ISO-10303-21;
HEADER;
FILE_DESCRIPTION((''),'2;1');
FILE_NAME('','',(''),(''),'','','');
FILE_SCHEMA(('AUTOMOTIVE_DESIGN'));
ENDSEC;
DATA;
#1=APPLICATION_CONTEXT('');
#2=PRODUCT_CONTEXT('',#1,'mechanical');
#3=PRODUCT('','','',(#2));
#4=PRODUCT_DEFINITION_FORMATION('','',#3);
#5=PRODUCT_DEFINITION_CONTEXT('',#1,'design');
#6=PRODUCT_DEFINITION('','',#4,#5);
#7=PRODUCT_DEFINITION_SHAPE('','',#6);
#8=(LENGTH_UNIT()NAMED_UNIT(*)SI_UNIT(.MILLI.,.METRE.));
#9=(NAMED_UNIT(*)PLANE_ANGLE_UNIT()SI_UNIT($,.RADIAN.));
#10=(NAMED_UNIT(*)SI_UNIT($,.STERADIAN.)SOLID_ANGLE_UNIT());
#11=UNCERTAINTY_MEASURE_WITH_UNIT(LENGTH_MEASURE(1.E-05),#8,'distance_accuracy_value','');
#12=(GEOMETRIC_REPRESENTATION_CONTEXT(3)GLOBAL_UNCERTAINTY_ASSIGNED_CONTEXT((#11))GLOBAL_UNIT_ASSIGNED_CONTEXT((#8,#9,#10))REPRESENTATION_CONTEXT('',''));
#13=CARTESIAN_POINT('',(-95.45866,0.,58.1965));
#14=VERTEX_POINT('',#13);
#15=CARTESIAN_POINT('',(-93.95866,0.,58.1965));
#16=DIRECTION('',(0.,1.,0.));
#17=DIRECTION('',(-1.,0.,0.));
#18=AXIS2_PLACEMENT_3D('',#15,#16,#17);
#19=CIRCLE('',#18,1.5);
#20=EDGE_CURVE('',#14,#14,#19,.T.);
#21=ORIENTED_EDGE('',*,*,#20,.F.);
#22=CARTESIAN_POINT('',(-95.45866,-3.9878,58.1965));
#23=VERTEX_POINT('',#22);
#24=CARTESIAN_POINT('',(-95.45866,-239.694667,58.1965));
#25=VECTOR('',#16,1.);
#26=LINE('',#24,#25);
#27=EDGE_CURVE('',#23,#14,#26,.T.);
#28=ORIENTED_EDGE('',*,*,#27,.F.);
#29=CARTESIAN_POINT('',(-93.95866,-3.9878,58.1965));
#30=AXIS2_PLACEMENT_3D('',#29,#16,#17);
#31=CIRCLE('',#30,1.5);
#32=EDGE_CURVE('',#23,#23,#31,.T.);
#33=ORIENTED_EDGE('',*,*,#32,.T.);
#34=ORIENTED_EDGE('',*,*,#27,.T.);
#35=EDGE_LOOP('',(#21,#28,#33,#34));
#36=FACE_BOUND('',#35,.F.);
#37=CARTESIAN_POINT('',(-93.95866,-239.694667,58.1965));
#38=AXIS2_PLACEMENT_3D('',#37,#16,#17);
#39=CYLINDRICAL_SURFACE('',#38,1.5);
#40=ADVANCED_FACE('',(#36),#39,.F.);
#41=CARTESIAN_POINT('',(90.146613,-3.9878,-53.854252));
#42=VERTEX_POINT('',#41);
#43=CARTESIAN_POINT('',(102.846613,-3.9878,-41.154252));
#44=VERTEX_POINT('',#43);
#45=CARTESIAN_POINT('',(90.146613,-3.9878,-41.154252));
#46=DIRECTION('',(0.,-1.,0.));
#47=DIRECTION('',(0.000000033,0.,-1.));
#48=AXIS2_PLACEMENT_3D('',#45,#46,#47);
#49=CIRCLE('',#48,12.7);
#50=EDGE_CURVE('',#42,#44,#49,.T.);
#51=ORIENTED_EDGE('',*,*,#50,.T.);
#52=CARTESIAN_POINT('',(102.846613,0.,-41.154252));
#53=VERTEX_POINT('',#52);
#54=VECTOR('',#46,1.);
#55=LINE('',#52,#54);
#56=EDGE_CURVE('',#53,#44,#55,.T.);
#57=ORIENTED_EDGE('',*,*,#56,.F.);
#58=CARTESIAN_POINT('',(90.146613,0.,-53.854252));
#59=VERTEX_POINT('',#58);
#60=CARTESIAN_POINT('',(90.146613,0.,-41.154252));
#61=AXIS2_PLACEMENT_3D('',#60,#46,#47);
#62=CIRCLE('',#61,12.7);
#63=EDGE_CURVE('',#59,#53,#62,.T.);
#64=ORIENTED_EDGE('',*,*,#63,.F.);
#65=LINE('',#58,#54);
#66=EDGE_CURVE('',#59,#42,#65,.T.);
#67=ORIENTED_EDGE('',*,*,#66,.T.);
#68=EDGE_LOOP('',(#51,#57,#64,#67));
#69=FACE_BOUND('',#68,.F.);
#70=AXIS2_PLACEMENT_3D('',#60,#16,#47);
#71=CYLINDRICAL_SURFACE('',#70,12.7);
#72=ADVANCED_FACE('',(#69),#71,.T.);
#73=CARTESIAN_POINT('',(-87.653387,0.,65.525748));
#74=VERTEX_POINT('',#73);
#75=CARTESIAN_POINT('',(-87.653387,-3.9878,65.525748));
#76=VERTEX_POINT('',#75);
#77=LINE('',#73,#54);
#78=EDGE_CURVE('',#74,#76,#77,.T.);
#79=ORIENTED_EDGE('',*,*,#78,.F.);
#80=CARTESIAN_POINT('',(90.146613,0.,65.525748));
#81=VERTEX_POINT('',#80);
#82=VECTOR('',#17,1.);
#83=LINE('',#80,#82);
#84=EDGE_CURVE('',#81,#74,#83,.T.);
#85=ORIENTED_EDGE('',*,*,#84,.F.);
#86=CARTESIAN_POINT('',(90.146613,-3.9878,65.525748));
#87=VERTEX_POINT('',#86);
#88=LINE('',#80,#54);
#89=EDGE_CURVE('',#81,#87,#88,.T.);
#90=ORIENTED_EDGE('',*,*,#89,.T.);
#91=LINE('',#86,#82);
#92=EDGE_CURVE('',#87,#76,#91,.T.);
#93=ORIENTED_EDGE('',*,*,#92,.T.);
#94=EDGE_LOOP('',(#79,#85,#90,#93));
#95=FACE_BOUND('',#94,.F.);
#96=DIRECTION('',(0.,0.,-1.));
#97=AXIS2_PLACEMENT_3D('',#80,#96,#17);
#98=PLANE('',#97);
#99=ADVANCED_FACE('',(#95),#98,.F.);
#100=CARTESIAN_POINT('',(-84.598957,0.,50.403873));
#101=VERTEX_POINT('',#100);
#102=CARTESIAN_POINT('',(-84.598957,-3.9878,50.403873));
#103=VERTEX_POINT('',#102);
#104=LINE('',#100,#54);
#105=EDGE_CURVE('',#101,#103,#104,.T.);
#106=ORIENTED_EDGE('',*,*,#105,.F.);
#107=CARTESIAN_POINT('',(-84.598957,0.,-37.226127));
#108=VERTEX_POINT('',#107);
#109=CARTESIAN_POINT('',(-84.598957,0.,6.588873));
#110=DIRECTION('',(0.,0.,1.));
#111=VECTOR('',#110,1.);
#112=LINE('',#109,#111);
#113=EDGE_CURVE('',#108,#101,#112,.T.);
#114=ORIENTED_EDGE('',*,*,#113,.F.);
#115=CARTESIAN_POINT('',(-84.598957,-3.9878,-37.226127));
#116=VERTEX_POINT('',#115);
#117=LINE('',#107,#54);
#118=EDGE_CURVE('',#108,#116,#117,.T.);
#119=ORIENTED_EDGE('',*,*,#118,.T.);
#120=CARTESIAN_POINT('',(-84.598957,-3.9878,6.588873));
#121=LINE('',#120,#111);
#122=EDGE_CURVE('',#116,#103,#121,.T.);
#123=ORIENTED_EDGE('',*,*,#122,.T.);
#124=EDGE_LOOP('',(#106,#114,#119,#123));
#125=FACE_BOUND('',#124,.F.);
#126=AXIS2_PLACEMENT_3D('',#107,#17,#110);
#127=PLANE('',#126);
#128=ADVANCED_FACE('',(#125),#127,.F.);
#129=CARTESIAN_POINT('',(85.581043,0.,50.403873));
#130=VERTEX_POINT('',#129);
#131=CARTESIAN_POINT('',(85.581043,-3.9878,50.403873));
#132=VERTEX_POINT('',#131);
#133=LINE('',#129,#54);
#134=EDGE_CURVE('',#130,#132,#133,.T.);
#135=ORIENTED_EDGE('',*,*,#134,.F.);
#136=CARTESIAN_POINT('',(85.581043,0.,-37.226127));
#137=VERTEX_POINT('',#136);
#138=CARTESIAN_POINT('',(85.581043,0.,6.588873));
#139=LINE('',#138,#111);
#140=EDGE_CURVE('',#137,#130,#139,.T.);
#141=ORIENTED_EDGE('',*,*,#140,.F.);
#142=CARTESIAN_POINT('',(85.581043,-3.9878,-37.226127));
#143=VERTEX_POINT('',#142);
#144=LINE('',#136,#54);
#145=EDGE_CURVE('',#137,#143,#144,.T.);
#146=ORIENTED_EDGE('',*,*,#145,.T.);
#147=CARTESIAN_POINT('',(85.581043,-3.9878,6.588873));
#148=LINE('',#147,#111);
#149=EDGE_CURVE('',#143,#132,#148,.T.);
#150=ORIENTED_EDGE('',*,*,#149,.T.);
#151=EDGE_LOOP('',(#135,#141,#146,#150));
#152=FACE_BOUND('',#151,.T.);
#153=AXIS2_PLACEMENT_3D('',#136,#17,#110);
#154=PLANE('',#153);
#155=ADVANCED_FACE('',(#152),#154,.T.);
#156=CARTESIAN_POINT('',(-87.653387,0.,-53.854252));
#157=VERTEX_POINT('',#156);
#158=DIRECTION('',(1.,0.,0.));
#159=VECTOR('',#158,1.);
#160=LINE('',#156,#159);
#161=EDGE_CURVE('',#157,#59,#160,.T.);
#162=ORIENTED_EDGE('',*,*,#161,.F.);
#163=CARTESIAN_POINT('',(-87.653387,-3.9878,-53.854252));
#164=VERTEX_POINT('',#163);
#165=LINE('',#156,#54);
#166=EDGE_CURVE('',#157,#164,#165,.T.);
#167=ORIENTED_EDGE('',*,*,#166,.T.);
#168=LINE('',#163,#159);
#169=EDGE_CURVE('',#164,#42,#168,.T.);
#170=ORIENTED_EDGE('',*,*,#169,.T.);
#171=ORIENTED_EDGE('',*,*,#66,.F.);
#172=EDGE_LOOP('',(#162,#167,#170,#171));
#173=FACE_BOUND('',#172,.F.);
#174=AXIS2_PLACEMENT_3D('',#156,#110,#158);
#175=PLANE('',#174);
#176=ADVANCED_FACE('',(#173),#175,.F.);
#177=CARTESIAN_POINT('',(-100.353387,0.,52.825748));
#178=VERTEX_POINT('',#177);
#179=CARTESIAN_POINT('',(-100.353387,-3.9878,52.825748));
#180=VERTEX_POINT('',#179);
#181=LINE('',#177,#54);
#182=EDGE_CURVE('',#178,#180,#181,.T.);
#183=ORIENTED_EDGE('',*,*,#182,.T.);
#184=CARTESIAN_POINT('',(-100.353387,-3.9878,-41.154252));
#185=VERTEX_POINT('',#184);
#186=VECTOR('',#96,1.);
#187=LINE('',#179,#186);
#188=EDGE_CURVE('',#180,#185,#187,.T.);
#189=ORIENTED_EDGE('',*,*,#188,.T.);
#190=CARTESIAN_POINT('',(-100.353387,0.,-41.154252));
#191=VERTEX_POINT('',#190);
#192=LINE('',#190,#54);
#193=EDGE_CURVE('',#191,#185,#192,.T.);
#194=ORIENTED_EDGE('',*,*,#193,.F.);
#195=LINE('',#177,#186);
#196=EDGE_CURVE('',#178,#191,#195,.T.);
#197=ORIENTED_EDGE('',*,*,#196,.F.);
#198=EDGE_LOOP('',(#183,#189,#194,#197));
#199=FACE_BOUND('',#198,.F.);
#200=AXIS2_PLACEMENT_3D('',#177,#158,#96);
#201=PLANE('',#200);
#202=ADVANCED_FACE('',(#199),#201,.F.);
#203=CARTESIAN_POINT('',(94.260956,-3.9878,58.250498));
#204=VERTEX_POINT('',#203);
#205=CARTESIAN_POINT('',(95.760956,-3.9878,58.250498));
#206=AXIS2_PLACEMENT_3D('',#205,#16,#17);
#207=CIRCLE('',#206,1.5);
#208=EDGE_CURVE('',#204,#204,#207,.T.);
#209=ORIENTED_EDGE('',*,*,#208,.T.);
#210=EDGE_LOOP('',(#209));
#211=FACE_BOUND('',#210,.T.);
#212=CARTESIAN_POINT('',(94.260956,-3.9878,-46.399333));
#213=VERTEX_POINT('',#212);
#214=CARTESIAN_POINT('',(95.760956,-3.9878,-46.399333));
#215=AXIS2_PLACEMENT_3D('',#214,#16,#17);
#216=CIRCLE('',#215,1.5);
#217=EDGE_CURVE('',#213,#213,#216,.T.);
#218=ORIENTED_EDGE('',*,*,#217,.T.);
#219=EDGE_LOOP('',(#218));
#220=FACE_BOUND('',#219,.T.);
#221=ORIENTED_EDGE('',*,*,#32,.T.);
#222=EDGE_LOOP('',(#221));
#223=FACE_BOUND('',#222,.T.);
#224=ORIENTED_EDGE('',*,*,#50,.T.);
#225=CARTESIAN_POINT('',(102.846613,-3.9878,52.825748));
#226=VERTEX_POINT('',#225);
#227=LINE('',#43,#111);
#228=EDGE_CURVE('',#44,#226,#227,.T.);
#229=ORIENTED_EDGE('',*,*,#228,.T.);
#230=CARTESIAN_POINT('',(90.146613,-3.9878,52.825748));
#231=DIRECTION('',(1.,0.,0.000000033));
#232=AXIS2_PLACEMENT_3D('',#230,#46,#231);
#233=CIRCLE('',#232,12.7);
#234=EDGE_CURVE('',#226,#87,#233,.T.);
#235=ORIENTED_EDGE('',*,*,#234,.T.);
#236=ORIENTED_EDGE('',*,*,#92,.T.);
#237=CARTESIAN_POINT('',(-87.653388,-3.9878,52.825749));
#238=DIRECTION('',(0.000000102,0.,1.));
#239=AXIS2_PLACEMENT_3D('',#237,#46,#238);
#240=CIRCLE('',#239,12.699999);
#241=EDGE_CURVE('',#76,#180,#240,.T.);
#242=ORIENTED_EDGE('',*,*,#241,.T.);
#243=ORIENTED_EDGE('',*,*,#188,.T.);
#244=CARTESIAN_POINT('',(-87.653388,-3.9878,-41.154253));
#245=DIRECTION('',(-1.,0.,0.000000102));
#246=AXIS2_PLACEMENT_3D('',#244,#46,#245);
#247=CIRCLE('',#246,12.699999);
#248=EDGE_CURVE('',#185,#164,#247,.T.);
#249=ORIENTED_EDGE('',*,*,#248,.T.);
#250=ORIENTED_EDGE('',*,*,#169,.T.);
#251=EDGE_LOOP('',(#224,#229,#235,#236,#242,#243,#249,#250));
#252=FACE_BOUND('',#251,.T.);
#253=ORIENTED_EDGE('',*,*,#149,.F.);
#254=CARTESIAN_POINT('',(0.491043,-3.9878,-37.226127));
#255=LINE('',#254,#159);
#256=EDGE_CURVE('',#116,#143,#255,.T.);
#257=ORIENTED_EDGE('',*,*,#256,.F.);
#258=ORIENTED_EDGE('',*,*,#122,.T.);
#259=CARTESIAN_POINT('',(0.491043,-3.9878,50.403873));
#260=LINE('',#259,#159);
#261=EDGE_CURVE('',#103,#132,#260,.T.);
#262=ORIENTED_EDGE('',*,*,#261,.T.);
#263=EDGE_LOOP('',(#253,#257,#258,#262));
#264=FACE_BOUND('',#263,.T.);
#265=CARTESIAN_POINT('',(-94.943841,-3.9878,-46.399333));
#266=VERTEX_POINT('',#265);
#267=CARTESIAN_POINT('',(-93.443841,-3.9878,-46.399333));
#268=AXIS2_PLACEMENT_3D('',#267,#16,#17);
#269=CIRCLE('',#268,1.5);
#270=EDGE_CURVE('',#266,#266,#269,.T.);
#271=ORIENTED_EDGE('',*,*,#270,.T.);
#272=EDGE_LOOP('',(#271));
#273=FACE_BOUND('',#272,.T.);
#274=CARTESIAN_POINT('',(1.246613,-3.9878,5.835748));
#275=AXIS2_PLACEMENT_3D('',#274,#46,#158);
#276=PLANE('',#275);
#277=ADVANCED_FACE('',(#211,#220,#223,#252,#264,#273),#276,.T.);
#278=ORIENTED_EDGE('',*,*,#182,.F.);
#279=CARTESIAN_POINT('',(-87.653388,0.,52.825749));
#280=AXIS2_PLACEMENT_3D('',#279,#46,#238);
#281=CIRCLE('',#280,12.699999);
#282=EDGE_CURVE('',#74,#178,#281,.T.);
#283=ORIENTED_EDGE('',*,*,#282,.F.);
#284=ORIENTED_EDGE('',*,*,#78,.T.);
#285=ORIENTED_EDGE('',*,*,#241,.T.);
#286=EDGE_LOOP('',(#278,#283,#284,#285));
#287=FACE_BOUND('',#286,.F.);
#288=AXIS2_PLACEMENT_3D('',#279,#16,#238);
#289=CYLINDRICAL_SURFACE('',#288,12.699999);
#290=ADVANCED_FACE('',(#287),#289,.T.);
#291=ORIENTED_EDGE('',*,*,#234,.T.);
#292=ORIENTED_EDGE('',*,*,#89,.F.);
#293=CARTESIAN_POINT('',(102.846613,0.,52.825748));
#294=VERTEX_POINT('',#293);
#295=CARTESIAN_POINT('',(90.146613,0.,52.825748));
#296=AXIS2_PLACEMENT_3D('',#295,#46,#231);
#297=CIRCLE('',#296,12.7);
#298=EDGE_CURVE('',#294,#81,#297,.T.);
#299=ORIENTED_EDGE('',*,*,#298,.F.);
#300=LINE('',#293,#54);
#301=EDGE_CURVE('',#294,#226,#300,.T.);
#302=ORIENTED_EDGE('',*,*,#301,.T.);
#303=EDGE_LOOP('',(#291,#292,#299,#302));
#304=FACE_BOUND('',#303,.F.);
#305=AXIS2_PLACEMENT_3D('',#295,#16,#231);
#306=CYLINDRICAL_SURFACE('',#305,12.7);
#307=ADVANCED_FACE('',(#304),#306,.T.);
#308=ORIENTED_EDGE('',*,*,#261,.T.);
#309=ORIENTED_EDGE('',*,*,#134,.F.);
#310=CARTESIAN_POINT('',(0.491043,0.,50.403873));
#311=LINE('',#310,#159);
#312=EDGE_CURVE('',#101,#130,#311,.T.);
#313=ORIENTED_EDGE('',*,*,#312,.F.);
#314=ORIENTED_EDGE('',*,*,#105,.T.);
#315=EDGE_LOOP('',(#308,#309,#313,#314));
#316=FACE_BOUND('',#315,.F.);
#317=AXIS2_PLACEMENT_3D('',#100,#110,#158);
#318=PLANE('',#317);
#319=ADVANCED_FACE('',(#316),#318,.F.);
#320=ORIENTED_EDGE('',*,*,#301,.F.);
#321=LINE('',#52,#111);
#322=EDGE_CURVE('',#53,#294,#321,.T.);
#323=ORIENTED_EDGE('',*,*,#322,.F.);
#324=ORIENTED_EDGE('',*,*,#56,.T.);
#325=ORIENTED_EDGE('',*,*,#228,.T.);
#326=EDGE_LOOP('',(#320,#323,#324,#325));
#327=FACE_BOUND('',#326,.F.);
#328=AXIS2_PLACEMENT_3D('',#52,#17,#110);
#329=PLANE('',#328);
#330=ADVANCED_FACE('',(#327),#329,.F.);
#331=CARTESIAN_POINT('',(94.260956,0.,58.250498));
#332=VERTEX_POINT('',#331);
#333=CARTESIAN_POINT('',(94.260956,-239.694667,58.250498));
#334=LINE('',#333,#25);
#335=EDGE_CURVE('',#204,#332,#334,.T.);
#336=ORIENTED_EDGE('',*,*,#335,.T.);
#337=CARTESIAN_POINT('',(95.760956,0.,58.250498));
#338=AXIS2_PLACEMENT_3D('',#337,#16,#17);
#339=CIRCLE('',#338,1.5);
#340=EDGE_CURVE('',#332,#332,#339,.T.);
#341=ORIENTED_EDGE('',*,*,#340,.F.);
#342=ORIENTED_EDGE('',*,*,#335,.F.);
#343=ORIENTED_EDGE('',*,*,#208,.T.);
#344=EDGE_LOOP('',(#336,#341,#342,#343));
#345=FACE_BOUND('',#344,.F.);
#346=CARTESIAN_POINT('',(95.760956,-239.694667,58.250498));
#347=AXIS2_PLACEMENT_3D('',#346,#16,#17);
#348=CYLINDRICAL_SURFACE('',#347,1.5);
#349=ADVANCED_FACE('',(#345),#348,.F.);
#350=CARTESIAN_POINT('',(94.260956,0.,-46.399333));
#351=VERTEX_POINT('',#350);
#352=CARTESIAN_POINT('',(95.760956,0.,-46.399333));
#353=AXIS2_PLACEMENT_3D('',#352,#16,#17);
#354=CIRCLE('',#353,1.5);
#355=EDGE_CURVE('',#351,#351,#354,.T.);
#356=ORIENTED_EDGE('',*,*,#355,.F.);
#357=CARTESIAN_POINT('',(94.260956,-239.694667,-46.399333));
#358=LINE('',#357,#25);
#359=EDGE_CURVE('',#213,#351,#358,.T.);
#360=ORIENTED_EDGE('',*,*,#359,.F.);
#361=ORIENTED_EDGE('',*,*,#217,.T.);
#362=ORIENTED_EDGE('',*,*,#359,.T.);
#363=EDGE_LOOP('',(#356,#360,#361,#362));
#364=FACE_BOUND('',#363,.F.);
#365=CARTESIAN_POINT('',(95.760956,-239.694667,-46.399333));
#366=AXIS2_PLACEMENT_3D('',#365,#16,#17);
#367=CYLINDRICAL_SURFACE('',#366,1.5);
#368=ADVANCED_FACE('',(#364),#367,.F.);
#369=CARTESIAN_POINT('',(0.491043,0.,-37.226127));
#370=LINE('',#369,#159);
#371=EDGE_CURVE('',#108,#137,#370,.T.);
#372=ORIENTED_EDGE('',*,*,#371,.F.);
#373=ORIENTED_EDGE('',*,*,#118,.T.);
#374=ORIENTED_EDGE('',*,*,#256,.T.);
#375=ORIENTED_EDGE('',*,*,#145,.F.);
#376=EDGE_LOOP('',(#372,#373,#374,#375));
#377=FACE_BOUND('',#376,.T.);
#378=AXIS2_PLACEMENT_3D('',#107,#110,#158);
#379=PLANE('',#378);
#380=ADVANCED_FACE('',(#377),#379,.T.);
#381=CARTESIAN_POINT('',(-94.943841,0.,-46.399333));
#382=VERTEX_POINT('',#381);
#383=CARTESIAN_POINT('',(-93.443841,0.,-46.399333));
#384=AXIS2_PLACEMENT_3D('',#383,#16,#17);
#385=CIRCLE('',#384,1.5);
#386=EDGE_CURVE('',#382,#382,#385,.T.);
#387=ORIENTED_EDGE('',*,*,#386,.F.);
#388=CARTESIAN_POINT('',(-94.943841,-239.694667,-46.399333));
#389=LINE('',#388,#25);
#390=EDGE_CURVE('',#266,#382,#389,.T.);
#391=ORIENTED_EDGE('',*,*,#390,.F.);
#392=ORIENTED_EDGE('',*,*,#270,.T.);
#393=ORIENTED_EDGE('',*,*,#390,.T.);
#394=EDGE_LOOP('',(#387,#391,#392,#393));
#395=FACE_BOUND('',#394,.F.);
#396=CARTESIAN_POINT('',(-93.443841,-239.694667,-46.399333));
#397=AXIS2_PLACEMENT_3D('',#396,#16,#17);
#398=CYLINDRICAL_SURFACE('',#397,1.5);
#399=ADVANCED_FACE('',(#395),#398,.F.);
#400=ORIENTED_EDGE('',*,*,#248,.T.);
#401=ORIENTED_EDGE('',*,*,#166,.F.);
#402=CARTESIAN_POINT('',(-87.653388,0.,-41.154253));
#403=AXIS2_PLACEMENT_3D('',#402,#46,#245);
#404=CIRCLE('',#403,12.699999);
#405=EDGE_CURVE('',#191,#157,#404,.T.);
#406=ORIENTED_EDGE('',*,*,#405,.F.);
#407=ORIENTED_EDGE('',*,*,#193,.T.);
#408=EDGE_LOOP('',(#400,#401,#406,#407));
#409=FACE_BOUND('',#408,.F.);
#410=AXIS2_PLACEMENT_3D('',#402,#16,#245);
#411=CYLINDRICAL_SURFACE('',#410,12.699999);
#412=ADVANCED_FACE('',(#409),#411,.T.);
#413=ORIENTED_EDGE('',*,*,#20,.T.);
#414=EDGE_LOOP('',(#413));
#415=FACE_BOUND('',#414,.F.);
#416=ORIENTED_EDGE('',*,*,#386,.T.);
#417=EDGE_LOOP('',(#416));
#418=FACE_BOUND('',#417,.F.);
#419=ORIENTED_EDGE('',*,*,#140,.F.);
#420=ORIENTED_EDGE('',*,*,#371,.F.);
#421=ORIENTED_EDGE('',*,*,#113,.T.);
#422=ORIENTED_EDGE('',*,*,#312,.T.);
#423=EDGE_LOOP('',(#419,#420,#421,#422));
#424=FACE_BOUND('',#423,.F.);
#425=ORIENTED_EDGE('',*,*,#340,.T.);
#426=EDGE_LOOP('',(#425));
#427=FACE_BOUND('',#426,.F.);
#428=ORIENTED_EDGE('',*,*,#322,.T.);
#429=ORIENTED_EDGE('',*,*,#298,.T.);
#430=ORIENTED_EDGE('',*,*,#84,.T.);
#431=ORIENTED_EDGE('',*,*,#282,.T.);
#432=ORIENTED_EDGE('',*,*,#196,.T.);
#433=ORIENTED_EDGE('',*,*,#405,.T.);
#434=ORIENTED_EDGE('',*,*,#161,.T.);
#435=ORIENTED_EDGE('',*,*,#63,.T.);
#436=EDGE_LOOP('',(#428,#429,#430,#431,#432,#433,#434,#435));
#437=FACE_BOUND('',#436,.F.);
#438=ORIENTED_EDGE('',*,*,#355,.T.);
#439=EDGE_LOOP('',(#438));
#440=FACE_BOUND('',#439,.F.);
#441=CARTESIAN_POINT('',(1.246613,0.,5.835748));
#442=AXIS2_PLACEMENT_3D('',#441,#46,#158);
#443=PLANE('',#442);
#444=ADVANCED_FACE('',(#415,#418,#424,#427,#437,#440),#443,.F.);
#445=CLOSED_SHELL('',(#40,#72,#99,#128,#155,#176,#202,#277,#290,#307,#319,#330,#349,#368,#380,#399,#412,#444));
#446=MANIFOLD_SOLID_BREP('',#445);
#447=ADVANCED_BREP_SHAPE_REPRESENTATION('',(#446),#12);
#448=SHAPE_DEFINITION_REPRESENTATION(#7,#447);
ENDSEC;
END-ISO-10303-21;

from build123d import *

# Parameters (mm, degrees)
F0_W     = 170.18
F0_H     = 87.63
F1_DEPTH = 3.9878
F3_D     = 3


with BuildPart() as f1:
    # F0 (on Front) → F1 (new body)
    with BuildSketch(Plane.XZ):
        with BuildLine():
            Line((90.146613, 65.525748), (-87.653387, 65.525748))
            ThreePointArc((-87.653387, 65.525748), (-96.633644, 61.806004), (-100.353387, 52.825748))
            Line((-100.353387, 52.825748), (-100.353387, -41.154252))
            ThreePointArc((-100.353387, -41.154252), (-96.633644, -50.134508), (-87.653387, -53.854252))
            Line((-87.653387, -53.854252), (90.146613, -53.854252))
            ThreePointArc((90.146613, -53.854252), (99.126869, -50.134508), (102.846613, -41.154252))
            Line((102.846613, -41.154252), (102.846613, 52.825748))
            ThreePointArc((102.846613, 52.825748), (99.126869, 61.806004), (90.146613, 65.525748))
        make_face()
        with Locations((0.491043, 6.588873)):
            Rectangle(F0_W, F0_H, mode=Mode.SUBTRACT)
    extrude(amount=F1_DEPTH)

    # F3 (through all)
    with Locations(Plane.XZ.offset(3.9878)):
        with Locations((-93.95866, 58.1965), (95.760956, 58.250498), (95.760956, -46.399333), (-93.443841, -46.399333)):
            Hole(F3_D / 2)


solid = f1.part
